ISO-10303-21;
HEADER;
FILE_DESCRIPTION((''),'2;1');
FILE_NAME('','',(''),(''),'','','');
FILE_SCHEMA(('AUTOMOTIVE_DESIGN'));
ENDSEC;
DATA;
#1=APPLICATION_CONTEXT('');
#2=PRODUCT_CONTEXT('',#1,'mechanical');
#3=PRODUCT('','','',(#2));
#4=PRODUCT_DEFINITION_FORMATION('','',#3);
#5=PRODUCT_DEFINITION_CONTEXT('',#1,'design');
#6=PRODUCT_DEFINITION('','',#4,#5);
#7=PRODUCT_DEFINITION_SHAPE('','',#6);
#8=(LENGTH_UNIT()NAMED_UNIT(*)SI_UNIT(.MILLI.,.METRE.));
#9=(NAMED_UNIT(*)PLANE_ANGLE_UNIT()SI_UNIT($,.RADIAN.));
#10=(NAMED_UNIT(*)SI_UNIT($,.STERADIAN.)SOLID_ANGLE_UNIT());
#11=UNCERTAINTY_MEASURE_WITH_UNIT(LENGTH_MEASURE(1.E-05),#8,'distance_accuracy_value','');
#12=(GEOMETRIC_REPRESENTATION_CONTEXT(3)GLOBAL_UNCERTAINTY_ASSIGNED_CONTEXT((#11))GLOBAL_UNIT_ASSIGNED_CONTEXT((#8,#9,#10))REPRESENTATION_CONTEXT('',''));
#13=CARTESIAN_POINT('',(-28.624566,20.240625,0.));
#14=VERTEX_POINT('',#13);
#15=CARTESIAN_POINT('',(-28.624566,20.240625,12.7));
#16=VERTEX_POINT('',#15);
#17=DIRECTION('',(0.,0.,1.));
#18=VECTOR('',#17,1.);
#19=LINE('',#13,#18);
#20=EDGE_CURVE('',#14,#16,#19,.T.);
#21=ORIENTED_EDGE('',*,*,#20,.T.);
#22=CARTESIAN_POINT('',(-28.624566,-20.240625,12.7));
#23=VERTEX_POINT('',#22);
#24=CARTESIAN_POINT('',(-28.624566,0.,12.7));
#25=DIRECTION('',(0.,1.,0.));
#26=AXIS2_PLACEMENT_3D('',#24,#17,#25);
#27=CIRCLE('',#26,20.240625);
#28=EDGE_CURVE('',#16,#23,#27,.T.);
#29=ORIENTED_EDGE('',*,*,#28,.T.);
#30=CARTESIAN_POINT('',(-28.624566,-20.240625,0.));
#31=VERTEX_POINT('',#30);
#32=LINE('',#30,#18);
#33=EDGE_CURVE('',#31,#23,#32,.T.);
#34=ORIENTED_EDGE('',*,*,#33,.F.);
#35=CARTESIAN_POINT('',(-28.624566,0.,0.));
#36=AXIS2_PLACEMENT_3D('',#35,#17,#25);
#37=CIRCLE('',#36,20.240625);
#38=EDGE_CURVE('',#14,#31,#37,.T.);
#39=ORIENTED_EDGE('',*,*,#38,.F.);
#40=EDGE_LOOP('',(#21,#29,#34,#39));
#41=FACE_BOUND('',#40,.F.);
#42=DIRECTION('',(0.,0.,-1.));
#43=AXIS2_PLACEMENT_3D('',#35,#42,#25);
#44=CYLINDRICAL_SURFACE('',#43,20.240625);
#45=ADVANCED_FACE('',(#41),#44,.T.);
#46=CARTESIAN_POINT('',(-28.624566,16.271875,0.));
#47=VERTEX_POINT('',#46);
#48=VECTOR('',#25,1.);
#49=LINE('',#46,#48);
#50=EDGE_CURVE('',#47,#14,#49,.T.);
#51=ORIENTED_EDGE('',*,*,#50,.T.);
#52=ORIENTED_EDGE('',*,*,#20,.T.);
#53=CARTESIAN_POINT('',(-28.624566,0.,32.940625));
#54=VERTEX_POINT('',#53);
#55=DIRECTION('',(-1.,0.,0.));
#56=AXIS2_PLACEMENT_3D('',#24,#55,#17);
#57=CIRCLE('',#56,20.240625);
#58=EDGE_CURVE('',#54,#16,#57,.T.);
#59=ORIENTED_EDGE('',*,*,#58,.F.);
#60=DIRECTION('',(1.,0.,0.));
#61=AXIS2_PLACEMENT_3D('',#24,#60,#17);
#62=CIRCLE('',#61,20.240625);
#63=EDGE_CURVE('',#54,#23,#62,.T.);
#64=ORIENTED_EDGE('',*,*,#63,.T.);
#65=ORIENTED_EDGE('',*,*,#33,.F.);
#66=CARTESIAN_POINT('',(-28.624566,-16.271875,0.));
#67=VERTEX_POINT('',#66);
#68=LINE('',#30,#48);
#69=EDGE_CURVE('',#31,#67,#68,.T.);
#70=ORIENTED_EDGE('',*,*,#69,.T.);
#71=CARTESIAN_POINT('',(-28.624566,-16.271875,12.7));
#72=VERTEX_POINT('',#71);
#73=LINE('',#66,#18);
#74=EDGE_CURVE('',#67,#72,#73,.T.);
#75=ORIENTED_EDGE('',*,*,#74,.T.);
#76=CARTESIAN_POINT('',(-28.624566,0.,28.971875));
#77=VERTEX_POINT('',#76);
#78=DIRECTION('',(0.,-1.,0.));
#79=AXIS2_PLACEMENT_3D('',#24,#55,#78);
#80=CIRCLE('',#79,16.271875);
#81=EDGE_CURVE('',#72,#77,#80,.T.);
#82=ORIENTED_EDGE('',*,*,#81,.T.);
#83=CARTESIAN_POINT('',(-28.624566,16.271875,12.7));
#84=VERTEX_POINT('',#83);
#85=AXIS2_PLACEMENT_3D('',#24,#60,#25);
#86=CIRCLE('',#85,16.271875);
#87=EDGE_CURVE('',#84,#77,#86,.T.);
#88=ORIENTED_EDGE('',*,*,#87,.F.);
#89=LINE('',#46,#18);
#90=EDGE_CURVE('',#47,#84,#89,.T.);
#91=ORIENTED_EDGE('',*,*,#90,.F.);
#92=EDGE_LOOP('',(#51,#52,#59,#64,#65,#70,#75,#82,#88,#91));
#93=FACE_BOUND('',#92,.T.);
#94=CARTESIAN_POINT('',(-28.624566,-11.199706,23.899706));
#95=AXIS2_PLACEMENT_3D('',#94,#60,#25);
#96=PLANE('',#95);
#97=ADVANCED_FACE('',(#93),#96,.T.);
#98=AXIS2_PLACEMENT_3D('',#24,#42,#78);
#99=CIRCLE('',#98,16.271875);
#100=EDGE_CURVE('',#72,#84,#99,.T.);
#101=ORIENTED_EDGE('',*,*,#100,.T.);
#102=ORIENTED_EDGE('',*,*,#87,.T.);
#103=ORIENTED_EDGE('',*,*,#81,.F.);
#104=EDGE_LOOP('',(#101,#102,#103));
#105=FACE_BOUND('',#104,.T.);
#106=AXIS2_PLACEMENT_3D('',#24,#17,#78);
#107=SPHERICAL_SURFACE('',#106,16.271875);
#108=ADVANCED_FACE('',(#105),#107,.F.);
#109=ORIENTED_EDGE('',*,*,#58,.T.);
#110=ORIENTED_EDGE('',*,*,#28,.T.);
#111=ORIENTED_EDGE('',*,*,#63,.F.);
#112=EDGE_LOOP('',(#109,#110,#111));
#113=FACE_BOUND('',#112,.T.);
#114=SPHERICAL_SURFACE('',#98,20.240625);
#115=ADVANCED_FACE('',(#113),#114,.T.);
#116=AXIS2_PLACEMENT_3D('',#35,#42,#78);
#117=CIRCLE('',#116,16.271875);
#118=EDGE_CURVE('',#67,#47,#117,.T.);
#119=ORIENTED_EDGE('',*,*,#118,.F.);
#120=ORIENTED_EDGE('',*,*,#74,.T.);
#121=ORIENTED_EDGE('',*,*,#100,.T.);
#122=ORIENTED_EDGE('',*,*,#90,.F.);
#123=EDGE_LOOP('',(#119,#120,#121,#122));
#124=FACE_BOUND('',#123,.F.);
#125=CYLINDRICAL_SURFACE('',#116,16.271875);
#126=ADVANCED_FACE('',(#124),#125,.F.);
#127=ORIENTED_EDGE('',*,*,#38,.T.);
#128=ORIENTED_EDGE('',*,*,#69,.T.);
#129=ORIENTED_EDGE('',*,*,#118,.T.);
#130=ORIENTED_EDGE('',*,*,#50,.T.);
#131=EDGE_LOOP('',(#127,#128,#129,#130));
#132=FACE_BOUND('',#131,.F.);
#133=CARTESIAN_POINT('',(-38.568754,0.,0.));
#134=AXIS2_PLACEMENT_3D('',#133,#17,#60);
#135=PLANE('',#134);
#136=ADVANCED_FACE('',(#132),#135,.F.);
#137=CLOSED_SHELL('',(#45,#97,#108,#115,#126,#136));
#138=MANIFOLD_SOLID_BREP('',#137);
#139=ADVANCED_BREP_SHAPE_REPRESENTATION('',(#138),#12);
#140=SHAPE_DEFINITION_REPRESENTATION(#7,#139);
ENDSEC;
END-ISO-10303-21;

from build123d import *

# Parameters (mm, degrees)
F1_DEPTH      = 12.7
F3_ANGLE_BACK = 90
F3_ANGLE      = 180


with BuildPart() as f1:
    # F0 (on Top) → F1 (new body)
    with BuildSketch(Plane.XY):
        with BuildLine():
            Line((-28.6245663859, 16.271875), (-28.6245663859, 20.240625))
            ThreePointArc((-28.6245663859, 20.240625), (-48.8651913859, 0), (-28.6245663859, -20.240625))
            Line((-28.6245663859, -20.240625), (-28.6245663859, -16.271875))
            ThreePointArc((-28.6245663859, -16.271875), (-44.8964413859, 0), (-28.6245663859, 16.271875))
        make_face()
    extrude(amount=F1_DEPTH)

    # F2 (on Front) → F3 (revolve)
    with BuildSketch(Plane.XZ, mode=Mode.PRIVATE) as f3_sk:
        with BuildLine():
            Line((-28.6245663859, 28.971875), (-28.6245663859, 32.940625))
            ThreePointArc((-28.6245663859, 32.940625), (-42.9368495789, 27.012283193), (-48.8651913859, 12.7))
            Line((-48.8651913859, 12.7), (-44.8964413859, 12.7))
            ThreePointArc((-44.8964413859, 12.7), (-40.130519541, 24.2059531551), (-28.6245663859, 28.971875))
        make_face()
    revolve(f3_sk.sketch.rotate(Axis((-28.6245663859, 0, 22.8203125), (0, 0, -1)), -F3_ANGLE_BACK), axis=Axis((-28.6245663859, 0, 22.8203125), (0, 0, -1)), revolution_arc=F3_ANGLE)


solid = f1.part
